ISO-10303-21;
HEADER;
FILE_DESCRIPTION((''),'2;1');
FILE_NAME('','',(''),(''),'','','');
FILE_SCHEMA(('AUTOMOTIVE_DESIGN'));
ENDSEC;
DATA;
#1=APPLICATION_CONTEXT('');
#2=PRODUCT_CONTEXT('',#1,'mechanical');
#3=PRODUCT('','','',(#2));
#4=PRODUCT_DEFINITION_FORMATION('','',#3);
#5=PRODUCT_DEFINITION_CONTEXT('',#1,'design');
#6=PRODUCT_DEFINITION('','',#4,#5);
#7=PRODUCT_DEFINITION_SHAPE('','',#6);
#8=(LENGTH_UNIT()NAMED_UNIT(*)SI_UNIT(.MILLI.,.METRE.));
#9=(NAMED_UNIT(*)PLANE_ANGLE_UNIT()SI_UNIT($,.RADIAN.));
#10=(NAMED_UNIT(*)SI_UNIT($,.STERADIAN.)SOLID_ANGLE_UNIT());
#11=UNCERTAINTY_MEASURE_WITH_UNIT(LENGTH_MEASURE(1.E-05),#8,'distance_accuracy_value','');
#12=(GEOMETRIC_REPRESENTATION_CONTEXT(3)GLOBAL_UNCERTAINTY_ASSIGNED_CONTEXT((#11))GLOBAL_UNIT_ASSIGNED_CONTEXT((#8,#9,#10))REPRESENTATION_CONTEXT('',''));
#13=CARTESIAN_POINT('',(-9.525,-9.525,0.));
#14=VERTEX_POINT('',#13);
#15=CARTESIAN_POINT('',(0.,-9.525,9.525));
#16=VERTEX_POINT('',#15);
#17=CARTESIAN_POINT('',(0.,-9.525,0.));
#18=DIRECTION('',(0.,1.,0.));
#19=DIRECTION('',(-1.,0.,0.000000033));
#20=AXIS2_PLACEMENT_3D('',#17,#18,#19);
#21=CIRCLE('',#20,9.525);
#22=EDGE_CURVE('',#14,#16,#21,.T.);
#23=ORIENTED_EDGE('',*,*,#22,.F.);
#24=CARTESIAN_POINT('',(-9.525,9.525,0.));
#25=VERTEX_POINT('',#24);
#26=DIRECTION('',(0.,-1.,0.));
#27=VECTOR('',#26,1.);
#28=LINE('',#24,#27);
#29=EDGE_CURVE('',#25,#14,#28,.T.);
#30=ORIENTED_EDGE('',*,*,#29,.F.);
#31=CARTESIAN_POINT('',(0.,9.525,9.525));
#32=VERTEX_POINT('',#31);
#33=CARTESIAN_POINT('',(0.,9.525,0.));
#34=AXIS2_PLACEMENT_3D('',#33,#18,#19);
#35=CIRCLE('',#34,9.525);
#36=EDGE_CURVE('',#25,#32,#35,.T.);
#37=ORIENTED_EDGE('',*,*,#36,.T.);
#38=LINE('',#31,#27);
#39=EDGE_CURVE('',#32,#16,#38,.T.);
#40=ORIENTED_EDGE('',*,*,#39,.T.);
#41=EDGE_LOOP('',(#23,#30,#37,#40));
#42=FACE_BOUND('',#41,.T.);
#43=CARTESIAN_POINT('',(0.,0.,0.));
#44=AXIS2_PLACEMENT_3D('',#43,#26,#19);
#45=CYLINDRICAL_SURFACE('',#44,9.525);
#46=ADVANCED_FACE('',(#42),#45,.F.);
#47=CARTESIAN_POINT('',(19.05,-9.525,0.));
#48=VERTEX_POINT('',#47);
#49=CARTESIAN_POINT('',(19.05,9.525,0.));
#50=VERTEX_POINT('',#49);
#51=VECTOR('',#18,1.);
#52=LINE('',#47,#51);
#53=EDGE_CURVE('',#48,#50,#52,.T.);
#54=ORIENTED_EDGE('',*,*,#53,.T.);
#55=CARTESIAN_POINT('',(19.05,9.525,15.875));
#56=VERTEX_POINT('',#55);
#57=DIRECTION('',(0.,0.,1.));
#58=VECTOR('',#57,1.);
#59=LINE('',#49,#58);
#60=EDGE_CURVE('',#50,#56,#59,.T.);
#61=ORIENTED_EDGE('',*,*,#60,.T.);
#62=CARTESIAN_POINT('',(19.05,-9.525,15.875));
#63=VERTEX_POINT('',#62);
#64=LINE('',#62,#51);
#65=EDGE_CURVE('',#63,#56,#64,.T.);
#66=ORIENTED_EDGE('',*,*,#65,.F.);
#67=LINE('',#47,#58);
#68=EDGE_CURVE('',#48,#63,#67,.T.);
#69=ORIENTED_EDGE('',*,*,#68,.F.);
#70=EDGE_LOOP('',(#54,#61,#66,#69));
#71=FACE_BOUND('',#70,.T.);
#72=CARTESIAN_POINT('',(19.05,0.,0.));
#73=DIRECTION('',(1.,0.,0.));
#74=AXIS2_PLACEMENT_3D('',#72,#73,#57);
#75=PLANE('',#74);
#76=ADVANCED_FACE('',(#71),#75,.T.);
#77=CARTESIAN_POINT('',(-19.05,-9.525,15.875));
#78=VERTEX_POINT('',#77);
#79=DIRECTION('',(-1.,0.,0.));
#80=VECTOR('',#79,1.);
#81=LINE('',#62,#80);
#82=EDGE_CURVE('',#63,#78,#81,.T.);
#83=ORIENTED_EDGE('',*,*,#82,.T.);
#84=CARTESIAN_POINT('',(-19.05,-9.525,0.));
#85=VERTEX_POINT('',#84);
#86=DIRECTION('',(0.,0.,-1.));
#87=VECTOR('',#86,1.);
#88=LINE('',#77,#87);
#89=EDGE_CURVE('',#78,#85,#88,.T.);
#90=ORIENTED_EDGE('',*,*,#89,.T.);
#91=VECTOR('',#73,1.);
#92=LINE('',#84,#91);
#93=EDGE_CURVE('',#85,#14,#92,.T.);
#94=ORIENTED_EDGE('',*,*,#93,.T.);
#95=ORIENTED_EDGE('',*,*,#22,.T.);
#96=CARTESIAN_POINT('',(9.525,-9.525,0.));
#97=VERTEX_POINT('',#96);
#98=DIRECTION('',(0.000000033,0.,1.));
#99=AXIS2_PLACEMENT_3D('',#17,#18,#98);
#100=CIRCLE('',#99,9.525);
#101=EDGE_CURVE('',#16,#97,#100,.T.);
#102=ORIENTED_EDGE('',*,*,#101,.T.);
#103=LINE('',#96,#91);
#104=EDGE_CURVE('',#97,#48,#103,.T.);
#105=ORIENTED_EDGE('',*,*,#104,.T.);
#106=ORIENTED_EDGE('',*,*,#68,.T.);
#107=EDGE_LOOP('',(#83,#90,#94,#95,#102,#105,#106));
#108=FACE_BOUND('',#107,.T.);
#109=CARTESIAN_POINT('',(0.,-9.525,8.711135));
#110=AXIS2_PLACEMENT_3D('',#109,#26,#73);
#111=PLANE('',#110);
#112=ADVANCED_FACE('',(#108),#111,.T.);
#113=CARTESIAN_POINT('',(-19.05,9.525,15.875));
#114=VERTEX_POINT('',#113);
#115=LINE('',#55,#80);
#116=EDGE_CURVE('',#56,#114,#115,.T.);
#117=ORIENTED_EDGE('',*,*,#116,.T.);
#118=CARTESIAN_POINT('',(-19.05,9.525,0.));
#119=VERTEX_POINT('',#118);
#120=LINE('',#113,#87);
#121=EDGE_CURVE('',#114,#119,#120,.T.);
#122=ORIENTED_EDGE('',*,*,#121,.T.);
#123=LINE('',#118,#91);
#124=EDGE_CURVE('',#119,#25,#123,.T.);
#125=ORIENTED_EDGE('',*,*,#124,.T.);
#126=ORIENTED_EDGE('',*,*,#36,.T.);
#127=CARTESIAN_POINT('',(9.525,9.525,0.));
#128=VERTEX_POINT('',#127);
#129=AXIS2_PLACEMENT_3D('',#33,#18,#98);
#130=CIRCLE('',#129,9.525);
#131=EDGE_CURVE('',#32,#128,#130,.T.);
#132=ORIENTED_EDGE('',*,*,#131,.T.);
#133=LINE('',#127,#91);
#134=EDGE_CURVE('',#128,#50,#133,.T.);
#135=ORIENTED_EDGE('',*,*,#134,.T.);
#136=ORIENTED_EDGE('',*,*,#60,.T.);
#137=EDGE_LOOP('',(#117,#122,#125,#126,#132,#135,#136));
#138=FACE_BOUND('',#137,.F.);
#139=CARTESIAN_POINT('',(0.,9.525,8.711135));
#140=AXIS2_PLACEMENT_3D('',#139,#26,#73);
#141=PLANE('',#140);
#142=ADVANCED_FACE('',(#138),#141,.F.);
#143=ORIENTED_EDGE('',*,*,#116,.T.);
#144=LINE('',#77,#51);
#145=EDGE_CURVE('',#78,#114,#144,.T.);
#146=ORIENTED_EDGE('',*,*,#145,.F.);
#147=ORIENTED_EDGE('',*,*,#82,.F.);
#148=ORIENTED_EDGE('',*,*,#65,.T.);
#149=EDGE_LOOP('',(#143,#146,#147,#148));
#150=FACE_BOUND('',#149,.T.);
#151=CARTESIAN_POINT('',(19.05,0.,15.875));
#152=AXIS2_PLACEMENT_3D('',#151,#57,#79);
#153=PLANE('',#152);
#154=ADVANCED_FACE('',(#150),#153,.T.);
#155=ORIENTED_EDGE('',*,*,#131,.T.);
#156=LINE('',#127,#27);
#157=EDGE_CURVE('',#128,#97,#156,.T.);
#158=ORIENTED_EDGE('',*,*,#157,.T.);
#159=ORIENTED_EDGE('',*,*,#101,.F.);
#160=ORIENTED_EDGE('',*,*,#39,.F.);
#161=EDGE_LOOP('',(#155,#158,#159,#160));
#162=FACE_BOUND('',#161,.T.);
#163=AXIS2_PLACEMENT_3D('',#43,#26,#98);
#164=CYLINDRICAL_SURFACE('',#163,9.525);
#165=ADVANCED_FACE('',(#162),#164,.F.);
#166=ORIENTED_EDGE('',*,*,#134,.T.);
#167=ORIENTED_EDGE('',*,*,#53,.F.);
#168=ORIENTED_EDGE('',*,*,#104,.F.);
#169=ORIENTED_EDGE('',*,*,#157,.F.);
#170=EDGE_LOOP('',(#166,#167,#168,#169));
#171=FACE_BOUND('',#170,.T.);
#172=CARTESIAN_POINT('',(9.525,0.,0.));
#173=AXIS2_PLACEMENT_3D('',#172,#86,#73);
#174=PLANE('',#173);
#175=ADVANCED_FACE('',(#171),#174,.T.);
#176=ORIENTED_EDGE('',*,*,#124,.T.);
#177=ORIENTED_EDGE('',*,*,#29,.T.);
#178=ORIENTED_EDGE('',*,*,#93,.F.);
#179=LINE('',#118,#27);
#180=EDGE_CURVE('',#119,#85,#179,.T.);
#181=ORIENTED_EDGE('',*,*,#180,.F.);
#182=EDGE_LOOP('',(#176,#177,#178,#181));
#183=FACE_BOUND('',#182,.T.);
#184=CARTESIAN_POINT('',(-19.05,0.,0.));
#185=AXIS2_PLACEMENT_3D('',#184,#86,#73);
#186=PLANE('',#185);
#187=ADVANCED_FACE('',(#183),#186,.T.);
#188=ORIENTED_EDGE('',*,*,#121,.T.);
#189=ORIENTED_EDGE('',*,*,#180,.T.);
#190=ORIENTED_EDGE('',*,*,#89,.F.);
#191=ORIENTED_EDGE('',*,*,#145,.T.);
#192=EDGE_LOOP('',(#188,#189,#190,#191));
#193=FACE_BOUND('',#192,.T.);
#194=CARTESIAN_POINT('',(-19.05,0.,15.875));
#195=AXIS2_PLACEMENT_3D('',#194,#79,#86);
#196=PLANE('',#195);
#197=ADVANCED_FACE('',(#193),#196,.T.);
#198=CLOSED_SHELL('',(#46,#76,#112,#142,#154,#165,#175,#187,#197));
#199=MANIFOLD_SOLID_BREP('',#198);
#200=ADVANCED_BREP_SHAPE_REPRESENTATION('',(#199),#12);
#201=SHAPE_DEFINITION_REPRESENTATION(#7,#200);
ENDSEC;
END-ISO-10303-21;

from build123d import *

# Parameters (mm, degrees)
F1_DEPTH = 9.525


with BuildPart() as f1:
    # F0 (on Front) → F1 (new body, symmetric)
    with BuildSketch(Plane.XZ):
        with BuildLine():
            Line((-19.05, 15.875), (-19.05, 0))
            Line((-19.05, 0), (-9.525, 0))
            ThreePointArc((-9.525, 0), (-6.735192, 6.735192), (0, 9.525))
            ThreePointArc((0, 9.525), (6.735192, 6.735192), (9.525, 0))
            Line((9.525, 0), (19.05, 0))
            Line((19.05, 0), (19.05, 15.875))
            Line((19.05, 15.875), (0, 15.875))
            Line((0, 15.875), (-19.05, 15.875))
        make_face()
    extrude(amount=F1_DEPTH, both=True)


solid = f1.part
